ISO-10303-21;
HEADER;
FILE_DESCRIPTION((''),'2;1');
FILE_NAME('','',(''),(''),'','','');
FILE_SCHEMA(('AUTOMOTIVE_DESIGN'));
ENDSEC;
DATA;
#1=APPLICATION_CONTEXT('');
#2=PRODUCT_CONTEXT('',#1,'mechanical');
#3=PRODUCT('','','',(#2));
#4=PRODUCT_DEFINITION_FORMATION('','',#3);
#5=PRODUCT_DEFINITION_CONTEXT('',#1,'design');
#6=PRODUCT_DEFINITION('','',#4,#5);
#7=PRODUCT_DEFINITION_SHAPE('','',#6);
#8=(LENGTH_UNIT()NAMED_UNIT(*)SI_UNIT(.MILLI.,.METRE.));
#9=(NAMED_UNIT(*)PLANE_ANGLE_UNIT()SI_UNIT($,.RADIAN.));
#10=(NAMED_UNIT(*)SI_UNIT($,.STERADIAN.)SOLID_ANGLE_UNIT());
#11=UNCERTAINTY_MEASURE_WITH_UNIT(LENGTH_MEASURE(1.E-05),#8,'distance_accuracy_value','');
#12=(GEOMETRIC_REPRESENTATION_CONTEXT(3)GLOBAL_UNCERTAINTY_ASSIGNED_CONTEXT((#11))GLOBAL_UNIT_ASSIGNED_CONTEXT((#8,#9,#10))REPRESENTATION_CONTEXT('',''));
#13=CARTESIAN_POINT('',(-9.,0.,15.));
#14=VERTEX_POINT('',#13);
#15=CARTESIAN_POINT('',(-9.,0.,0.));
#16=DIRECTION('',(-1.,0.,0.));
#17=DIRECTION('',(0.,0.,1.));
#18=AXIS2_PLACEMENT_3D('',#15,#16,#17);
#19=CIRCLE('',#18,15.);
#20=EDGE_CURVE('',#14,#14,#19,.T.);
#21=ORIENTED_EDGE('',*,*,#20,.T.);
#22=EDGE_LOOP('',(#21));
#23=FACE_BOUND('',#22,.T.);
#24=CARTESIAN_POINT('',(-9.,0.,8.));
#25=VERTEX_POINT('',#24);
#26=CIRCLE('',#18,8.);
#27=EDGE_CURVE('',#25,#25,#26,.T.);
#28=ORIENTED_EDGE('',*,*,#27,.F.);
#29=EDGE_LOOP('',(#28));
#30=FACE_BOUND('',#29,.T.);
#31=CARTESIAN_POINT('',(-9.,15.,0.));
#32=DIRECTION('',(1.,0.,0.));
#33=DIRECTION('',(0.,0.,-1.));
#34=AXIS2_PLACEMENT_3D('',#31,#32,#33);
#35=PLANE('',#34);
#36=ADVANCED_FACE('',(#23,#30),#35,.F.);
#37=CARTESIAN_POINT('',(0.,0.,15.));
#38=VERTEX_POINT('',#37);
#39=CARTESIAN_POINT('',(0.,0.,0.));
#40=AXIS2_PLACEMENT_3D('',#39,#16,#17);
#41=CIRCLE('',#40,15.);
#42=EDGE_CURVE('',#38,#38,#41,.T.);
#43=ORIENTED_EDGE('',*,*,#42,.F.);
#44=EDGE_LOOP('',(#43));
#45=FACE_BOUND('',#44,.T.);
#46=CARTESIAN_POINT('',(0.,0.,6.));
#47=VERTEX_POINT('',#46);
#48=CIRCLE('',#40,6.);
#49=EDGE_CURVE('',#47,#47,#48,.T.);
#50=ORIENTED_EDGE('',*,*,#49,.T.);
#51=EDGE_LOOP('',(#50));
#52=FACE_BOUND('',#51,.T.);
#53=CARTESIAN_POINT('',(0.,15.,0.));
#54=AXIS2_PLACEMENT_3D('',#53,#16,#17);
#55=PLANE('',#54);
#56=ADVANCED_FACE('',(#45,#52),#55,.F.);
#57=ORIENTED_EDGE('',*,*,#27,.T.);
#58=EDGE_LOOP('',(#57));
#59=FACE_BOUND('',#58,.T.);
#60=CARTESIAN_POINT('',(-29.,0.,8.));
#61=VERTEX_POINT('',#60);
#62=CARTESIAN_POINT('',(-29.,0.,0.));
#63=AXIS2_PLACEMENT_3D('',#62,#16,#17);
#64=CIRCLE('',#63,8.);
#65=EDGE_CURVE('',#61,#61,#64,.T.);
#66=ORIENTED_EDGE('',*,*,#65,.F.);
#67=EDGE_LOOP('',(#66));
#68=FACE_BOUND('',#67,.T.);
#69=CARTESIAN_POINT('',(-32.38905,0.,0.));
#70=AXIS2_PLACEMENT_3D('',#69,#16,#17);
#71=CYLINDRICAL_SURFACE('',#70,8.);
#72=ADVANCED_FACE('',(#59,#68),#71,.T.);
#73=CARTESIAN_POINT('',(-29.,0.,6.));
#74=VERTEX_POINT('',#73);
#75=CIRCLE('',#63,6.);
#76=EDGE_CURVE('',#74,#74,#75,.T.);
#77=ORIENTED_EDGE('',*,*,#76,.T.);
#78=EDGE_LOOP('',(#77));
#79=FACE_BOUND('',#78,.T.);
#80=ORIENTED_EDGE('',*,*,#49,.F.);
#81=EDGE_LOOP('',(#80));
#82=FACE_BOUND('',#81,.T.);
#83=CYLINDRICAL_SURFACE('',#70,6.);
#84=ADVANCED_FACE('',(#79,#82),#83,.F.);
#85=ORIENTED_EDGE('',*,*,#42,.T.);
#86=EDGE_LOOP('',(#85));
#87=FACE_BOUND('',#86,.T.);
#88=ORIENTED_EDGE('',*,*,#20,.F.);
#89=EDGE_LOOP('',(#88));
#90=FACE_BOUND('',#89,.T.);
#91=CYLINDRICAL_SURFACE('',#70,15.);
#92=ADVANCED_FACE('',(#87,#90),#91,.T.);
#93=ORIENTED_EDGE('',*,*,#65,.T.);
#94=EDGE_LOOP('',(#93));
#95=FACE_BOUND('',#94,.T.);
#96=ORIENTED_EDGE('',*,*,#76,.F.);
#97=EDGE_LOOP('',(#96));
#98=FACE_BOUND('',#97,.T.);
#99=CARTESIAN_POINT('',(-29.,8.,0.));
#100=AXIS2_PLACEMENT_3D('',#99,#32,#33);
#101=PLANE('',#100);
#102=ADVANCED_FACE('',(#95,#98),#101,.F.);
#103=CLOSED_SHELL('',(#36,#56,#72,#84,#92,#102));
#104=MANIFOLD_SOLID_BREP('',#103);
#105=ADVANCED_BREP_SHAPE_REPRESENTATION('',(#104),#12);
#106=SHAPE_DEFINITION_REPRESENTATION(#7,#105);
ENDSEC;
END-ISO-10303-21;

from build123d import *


with BuildPart() as part:
    # Esquisse1 → Révolution1 (revolve)
    with BuildSketch(Plane.XY):
        Polygon((-9, 15), (0, 15), (0, 6), (-29, 6), (-29, 8), (-9, 8), align=None)
    revolve(axis=Axis((-32.389049538, 0, 0), (1, 0, 0)))


solid = part.part
